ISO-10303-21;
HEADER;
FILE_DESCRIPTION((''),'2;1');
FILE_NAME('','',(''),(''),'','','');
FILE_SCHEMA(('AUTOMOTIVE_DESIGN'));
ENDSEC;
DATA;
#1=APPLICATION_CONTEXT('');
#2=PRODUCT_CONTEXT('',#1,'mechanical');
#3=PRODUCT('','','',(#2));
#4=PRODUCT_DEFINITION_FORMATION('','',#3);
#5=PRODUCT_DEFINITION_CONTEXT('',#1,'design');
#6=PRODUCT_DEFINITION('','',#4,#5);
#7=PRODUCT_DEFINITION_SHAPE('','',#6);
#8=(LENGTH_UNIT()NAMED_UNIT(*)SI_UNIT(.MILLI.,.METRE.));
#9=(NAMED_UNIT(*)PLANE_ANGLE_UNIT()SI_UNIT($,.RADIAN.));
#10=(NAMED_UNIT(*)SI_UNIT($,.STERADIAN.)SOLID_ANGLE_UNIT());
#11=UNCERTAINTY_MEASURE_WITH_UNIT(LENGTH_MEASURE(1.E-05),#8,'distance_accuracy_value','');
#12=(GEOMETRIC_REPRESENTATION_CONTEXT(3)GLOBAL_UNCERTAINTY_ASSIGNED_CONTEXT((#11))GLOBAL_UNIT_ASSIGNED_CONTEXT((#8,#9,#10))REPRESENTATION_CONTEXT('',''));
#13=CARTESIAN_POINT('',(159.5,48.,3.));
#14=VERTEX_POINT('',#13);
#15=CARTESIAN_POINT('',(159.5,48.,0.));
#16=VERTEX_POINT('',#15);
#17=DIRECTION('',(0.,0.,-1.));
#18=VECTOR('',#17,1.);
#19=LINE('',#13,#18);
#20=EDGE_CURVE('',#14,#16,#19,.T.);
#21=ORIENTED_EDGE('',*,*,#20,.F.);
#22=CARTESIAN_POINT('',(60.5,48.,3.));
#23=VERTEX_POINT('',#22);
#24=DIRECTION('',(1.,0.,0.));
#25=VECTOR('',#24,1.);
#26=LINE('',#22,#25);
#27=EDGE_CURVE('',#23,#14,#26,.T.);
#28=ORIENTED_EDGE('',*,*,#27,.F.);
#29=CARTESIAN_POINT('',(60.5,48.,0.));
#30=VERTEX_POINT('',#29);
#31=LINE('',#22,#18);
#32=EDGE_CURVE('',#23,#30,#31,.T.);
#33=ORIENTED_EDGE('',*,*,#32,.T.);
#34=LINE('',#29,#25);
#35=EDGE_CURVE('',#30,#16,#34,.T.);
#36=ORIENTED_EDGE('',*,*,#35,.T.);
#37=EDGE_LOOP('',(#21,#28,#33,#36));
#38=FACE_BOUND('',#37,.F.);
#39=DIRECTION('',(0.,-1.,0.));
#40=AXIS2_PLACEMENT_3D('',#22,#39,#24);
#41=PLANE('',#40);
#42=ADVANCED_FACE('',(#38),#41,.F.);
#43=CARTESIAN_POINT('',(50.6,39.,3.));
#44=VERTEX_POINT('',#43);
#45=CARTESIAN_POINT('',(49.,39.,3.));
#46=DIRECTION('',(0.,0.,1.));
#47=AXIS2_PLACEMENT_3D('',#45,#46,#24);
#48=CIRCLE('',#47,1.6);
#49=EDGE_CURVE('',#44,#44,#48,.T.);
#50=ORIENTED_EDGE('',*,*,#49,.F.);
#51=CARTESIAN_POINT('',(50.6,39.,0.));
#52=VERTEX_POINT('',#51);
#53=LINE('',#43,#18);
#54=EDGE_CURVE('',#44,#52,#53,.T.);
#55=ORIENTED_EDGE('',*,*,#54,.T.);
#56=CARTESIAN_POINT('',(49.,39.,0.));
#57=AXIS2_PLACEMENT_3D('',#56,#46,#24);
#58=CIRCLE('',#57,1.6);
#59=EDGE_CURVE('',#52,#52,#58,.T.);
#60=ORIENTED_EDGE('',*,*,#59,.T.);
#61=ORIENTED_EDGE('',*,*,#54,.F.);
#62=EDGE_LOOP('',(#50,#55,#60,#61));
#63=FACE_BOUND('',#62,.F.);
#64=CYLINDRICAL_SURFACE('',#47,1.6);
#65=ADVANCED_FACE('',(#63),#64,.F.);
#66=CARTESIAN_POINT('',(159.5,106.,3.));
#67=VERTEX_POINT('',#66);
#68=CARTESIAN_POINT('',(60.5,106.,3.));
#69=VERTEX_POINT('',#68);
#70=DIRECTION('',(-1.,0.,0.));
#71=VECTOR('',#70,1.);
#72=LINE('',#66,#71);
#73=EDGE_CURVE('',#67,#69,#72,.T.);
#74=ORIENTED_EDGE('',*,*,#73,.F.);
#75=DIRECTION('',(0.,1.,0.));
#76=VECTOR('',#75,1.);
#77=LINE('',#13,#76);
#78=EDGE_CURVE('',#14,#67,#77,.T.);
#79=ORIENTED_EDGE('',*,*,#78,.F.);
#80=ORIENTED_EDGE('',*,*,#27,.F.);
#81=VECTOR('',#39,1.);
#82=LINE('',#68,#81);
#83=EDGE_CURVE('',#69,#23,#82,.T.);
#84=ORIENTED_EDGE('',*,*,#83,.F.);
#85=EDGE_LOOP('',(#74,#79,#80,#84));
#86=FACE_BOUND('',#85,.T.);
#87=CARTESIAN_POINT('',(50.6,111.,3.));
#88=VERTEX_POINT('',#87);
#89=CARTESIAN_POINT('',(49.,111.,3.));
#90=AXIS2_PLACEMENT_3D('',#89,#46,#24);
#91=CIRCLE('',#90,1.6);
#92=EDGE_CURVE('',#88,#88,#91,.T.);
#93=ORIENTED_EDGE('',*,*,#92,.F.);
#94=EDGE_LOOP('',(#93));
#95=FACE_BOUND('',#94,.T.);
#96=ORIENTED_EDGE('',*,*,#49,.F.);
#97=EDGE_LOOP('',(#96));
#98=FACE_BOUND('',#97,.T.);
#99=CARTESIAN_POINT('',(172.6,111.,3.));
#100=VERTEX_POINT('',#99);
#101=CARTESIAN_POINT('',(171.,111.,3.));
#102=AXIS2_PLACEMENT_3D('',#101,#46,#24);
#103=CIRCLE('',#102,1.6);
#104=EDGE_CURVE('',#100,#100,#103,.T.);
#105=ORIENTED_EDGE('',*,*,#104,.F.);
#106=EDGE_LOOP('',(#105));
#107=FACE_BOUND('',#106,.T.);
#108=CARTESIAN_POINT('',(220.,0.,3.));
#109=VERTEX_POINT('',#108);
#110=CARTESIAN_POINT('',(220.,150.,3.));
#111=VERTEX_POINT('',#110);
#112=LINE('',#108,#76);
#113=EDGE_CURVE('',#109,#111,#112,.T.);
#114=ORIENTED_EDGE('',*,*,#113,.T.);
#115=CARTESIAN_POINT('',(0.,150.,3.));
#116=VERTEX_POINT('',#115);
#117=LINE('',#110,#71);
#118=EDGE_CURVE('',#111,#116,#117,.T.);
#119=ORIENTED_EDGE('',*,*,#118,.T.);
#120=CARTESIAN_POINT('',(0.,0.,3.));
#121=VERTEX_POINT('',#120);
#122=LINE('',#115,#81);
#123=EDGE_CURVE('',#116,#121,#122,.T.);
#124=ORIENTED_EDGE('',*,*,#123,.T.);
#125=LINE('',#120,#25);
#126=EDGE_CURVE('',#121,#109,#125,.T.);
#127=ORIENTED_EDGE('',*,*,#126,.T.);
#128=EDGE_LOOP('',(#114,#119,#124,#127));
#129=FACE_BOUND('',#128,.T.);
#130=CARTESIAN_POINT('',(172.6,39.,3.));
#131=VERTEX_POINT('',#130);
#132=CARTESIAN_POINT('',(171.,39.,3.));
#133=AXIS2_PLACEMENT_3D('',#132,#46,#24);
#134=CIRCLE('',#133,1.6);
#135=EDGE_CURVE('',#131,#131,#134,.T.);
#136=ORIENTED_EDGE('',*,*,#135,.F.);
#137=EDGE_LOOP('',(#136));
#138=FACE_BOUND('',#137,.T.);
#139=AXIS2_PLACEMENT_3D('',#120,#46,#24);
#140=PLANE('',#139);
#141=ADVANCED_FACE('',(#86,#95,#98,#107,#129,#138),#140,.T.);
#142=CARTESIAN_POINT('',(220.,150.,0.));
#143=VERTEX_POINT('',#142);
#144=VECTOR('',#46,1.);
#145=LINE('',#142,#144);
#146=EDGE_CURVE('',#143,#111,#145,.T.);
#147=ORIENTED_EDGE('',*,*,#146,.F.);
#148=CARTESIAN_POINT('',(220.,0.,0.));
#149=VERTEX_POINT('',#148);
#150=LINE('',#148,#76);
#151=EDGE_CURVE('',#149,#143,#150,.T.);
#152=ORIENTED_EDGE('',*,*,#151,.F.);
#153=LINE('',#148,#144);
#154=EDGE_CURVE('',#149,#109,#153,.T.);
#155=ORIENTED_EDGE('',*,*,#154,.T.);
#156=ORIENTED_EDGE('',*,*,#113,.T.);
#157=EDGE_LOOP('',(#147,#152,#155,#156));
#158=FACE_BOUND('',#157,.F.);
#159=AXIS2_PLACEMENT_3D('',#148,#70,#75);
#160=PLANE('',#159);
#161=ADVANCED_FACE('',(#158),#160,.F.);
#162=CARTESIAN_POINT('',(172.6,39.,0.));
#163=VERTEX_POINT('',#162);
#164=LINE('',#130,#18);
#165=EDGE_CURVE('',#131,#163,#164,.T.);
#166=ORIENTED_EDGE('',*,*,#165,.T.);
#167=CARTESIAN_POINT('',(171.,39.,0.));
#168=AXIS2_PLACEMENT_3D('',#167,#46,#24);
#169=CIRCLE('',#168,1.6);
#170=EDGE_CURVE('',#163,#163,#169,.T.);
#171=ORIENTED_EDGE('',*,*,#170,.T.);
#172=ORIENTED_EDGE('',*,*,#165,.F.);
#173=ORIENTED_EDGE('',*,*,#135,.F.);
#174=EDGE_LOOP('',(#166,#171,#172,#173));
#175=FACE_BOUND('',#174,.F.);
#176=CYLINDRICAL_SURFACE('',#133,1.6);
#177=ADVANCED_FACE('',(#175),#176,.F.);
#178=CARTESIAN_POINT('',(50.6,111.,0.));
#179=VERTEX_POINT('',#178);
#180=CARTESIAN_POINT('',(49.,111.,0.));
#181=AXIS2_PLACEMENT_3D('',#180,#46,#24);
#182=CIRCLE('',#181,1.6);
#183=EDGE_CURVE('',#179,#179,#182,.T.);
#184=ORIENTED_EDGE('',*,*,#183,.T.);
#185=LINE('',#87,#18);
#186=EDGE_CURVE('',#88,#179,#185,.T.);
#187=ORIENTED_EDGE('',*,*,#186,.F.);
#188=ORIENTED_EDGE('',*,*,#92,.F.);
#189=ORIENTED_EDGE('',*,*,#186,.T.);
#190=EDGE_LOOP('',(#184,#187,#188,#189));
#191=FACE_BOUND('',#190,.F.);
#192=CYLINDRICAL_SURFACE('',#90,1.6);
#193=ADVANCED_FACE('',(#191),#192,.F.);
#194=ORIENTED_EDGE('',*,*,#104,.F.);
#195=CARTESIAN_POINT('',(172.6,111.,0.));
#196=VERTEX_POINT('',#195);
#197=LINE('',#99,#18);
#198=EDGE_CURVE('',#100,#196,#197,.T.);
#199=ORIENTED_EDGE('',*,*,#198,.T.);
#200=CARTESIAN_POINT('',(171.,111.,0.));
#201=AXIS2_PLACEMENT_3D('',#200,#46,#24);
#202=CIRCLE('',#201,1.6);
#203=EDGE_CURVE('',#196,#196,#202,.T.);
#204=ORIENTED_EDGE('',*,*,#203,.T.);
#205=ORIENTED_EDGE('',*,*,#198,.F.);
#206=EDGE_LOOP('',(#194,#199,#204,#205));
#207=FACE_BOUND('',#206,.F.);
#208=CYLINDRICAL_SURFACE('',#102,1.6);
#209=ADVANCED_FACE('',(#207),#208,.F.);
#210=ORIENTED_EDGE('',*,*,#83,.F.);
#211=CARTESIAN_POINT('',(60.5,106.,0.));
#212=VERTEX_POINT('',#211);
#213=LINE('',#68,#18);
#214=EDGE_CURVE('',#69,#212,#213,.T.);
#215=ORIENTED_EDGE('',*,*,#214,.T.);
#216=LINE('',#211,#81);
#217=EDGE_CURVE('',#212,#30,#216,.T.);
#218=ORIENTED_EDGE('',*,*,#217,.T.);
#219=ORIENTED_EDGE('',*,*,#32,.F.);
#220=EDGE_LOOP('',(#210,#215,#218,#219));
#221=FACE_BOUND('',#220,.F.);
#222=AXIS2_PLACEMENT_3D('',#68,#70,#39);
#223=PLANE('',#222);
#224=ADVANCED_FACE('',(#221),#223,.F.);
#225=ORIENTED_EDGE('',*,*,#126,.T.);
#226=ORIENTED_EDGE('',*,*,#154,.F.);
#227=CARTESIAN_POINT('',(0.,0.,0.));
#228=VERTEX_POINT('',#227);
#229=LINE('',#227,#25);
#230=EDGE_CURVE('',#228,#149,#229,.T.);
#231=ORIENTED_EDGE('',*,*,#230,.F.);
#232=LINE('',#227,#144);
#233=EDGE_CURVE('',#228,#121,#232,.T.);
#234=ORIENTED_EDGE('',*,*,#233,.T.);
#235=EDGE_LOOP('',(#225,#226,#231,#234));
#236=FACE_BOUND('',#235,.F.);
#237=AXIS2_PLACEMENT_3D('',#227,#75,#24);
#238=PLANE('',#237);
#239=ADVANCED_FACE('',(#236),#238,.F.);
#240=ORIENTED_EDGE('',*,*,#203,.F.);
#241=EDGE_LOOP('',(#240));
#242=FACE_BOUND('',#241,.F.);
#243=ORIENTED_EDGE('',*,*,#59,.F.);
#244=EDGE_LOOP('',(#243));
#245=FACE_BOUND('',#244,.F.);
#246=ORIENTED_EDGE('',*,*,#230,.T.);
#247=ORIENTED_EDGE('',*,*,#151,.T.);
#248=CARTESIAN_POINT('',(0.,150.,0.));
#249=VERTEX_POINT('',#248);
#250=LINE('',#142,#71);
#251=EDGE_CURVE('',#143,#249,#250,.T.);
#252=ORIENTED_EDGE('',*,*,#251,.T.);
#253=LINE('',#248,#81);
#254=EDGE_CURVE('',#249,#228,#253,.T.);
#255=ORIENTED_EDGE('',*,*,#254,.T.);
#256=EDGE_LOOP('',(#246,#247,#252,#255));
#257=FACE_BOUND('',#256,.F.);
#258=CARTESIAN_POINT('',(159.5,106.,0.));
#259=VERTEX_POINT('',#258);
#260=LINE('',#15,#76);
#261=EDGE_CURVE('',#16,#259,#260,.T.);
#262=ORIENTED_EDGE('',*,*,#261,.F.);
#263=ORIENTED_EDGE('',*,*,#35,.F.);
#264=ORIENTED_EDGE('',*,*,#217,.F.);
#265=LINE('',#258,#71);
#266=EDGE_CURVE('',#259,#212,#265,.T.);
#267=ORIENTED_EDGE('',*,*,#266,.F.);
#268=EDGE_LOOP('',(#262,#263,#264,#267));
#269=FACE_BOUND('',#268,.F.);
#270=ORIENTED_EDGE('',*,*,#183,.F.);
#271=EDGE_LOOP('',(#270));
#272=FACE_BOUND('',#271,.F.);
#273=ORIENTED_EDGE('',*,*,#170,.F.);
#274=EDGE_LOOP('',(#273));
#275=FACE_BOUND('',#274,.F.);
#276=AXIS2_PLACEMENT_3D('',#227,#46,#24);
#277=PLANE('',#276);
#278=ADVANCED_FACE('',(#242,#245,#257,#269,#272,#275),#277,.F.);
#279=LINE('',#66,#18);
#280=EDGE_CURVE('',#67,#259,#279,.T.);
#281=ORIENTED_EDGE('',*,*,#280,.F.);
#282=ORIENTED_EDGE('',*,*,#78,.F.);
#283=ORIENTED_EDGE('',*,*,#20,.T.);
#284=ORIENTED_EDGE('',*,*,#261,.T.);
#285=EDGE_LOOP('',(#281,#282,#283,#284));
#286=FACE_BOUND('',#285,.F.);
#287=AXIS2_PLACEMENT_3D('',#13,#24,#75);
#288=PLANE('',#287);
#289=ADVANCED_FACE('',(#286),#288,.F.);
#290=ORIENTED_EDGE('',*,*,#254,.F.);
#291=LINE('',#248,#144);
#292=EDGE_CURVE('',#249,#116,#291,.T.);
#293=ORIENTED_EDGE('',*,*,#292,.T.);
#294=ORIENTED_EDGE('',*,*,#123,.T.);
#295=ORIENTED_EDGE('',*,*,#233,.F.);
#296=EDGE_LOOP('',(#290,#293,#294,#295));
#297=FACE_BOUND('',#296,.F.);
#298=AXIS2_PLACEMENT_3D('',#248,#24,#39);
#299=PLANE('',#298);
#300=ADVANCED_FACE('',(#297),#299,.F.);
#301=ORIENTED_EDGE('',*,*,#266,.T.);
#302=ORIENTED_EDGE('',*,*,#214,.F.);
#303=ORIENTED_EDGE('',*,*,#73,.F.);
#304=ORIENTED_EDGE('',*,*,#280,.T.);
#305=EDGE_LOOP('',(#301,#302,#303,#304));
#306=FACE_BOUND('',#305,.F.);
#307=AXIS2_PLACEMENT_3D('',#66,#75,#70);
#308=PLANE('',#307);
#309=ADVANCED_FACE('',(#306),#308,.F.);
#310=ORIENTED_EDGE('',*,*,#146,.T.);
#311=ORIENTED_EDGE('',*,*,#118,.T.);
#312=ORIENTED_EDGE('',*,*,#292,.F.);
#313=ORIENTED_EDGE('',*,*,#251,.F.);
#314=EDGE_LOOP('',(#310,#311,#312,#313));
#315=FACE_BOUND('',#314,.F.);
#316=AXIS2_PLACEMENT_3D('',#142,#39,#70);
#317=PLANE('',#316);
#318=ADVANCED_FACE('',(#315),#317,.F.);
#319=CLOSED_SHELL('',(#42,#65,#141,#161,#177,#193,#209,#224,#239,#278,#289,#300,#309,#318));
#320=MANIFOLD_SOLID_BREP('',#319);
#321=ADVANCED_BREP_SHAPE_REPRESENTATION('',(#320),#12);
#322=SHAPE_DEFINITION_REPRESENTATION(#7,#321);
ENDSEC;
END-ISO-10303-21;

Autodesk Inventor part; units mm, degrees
ref_plane "YZ Plane" through (0, 0, 0) normal (1, 0, 0) x (0, 1, 0)
ref_plane "XZ Plane" through (0, 0, 0) normal (0, 1, 0) x (-1, 0, 0)
ref_plane "XY Plane" through (0, 0, 0) normal (0, 0, 1) x (1, 0, 0)
sketch "Sketch1" plane through (0, 0, 0) normal (0, 0, 1) x (1, 0, 0)
  line L0 (0, 0) -> (220, 0)
  line L1 (220, 0) -> (220, 150)
  line L2 (220, 150) -> (0, 150)
  line L3 (0, 150) -> (0, 0)
  dimension "d0" = 220
  dimension "d1" = 150
extrude "Extrusion1" add sketch "Sketch1" along normal blind 3
sketch "Sketch2" plane through (0, 0, 3) normal (0, 0, 1) x (1, 0, 0)
  line L0 (0, 150) -> (0, 0) projected
  line L1 (0, 75) -> (220, 75)
  line L2 (220, 0) -> (220, 150) projected
  line L3 (220, 150) -> (0, 150) projected
  line L4 (110, 150) -> (110, 0)
  circle A0 centre (49, 111) radius 1.6
  circle A1 centre (171, 111) radius 1.6
  circle A2 centre (171, 39) radius 1.6
  circle A3 centre (49, 39) radius 1.6
  line L5 (60.5, 48) -> (159.5, 48)
  line L6 (159.5, 48) -> (159.5, 106)
  line L7 (159.5, 106) -> (60.5, 106)
  line L8 (60.5, 106) -> (60.5, 48)
  dimension "d7" = 3.2
  dimension "d8" = 3.2
  dimension "d9" = 3.2
  dimension "d10" = 3.2
  dimension "d11" = 99
  dimension "d12" = 58
  dimension "d13" = 11.5
  dimension "d14" = 5
  dimension "d15" = 9
sketch "Sketch3" plane through (0, 0, 3) normal (0, 0, 1) x (1, 0, 0)
  circle A0 centre (49, 111) radius 1.6
  circle A1 centre (171, 111) radius 1.6
  circle A2 centre (171, 39) radius 1.6
  circle A3 centre (49, 39) radius 1.6
  line L0 (60.5, 48) -> (159.5, 48)
  line L1 (159.5, 48) -> (159.5, 106)
  line L2 (159.5, 106) -> (60.5, 106)
  line L3 (60.5, 106) -> (60.5, 48)
  point P0 (0, 0)
  dimension "d16" = 3.2
  dimension "d17" = 3.2
  dimension "d18" = 3.2
  dimension "d19" = 3.2
  dimension "d20" = 99
  dimension "d21" = 58
  dimension "d22" = 11.5
  dimension "d23" = 5
  dimension "d24" = 9
extrude "Extrusion2" cut sketch "Sketch3" against normal blind 3
properties part number "Lock"
